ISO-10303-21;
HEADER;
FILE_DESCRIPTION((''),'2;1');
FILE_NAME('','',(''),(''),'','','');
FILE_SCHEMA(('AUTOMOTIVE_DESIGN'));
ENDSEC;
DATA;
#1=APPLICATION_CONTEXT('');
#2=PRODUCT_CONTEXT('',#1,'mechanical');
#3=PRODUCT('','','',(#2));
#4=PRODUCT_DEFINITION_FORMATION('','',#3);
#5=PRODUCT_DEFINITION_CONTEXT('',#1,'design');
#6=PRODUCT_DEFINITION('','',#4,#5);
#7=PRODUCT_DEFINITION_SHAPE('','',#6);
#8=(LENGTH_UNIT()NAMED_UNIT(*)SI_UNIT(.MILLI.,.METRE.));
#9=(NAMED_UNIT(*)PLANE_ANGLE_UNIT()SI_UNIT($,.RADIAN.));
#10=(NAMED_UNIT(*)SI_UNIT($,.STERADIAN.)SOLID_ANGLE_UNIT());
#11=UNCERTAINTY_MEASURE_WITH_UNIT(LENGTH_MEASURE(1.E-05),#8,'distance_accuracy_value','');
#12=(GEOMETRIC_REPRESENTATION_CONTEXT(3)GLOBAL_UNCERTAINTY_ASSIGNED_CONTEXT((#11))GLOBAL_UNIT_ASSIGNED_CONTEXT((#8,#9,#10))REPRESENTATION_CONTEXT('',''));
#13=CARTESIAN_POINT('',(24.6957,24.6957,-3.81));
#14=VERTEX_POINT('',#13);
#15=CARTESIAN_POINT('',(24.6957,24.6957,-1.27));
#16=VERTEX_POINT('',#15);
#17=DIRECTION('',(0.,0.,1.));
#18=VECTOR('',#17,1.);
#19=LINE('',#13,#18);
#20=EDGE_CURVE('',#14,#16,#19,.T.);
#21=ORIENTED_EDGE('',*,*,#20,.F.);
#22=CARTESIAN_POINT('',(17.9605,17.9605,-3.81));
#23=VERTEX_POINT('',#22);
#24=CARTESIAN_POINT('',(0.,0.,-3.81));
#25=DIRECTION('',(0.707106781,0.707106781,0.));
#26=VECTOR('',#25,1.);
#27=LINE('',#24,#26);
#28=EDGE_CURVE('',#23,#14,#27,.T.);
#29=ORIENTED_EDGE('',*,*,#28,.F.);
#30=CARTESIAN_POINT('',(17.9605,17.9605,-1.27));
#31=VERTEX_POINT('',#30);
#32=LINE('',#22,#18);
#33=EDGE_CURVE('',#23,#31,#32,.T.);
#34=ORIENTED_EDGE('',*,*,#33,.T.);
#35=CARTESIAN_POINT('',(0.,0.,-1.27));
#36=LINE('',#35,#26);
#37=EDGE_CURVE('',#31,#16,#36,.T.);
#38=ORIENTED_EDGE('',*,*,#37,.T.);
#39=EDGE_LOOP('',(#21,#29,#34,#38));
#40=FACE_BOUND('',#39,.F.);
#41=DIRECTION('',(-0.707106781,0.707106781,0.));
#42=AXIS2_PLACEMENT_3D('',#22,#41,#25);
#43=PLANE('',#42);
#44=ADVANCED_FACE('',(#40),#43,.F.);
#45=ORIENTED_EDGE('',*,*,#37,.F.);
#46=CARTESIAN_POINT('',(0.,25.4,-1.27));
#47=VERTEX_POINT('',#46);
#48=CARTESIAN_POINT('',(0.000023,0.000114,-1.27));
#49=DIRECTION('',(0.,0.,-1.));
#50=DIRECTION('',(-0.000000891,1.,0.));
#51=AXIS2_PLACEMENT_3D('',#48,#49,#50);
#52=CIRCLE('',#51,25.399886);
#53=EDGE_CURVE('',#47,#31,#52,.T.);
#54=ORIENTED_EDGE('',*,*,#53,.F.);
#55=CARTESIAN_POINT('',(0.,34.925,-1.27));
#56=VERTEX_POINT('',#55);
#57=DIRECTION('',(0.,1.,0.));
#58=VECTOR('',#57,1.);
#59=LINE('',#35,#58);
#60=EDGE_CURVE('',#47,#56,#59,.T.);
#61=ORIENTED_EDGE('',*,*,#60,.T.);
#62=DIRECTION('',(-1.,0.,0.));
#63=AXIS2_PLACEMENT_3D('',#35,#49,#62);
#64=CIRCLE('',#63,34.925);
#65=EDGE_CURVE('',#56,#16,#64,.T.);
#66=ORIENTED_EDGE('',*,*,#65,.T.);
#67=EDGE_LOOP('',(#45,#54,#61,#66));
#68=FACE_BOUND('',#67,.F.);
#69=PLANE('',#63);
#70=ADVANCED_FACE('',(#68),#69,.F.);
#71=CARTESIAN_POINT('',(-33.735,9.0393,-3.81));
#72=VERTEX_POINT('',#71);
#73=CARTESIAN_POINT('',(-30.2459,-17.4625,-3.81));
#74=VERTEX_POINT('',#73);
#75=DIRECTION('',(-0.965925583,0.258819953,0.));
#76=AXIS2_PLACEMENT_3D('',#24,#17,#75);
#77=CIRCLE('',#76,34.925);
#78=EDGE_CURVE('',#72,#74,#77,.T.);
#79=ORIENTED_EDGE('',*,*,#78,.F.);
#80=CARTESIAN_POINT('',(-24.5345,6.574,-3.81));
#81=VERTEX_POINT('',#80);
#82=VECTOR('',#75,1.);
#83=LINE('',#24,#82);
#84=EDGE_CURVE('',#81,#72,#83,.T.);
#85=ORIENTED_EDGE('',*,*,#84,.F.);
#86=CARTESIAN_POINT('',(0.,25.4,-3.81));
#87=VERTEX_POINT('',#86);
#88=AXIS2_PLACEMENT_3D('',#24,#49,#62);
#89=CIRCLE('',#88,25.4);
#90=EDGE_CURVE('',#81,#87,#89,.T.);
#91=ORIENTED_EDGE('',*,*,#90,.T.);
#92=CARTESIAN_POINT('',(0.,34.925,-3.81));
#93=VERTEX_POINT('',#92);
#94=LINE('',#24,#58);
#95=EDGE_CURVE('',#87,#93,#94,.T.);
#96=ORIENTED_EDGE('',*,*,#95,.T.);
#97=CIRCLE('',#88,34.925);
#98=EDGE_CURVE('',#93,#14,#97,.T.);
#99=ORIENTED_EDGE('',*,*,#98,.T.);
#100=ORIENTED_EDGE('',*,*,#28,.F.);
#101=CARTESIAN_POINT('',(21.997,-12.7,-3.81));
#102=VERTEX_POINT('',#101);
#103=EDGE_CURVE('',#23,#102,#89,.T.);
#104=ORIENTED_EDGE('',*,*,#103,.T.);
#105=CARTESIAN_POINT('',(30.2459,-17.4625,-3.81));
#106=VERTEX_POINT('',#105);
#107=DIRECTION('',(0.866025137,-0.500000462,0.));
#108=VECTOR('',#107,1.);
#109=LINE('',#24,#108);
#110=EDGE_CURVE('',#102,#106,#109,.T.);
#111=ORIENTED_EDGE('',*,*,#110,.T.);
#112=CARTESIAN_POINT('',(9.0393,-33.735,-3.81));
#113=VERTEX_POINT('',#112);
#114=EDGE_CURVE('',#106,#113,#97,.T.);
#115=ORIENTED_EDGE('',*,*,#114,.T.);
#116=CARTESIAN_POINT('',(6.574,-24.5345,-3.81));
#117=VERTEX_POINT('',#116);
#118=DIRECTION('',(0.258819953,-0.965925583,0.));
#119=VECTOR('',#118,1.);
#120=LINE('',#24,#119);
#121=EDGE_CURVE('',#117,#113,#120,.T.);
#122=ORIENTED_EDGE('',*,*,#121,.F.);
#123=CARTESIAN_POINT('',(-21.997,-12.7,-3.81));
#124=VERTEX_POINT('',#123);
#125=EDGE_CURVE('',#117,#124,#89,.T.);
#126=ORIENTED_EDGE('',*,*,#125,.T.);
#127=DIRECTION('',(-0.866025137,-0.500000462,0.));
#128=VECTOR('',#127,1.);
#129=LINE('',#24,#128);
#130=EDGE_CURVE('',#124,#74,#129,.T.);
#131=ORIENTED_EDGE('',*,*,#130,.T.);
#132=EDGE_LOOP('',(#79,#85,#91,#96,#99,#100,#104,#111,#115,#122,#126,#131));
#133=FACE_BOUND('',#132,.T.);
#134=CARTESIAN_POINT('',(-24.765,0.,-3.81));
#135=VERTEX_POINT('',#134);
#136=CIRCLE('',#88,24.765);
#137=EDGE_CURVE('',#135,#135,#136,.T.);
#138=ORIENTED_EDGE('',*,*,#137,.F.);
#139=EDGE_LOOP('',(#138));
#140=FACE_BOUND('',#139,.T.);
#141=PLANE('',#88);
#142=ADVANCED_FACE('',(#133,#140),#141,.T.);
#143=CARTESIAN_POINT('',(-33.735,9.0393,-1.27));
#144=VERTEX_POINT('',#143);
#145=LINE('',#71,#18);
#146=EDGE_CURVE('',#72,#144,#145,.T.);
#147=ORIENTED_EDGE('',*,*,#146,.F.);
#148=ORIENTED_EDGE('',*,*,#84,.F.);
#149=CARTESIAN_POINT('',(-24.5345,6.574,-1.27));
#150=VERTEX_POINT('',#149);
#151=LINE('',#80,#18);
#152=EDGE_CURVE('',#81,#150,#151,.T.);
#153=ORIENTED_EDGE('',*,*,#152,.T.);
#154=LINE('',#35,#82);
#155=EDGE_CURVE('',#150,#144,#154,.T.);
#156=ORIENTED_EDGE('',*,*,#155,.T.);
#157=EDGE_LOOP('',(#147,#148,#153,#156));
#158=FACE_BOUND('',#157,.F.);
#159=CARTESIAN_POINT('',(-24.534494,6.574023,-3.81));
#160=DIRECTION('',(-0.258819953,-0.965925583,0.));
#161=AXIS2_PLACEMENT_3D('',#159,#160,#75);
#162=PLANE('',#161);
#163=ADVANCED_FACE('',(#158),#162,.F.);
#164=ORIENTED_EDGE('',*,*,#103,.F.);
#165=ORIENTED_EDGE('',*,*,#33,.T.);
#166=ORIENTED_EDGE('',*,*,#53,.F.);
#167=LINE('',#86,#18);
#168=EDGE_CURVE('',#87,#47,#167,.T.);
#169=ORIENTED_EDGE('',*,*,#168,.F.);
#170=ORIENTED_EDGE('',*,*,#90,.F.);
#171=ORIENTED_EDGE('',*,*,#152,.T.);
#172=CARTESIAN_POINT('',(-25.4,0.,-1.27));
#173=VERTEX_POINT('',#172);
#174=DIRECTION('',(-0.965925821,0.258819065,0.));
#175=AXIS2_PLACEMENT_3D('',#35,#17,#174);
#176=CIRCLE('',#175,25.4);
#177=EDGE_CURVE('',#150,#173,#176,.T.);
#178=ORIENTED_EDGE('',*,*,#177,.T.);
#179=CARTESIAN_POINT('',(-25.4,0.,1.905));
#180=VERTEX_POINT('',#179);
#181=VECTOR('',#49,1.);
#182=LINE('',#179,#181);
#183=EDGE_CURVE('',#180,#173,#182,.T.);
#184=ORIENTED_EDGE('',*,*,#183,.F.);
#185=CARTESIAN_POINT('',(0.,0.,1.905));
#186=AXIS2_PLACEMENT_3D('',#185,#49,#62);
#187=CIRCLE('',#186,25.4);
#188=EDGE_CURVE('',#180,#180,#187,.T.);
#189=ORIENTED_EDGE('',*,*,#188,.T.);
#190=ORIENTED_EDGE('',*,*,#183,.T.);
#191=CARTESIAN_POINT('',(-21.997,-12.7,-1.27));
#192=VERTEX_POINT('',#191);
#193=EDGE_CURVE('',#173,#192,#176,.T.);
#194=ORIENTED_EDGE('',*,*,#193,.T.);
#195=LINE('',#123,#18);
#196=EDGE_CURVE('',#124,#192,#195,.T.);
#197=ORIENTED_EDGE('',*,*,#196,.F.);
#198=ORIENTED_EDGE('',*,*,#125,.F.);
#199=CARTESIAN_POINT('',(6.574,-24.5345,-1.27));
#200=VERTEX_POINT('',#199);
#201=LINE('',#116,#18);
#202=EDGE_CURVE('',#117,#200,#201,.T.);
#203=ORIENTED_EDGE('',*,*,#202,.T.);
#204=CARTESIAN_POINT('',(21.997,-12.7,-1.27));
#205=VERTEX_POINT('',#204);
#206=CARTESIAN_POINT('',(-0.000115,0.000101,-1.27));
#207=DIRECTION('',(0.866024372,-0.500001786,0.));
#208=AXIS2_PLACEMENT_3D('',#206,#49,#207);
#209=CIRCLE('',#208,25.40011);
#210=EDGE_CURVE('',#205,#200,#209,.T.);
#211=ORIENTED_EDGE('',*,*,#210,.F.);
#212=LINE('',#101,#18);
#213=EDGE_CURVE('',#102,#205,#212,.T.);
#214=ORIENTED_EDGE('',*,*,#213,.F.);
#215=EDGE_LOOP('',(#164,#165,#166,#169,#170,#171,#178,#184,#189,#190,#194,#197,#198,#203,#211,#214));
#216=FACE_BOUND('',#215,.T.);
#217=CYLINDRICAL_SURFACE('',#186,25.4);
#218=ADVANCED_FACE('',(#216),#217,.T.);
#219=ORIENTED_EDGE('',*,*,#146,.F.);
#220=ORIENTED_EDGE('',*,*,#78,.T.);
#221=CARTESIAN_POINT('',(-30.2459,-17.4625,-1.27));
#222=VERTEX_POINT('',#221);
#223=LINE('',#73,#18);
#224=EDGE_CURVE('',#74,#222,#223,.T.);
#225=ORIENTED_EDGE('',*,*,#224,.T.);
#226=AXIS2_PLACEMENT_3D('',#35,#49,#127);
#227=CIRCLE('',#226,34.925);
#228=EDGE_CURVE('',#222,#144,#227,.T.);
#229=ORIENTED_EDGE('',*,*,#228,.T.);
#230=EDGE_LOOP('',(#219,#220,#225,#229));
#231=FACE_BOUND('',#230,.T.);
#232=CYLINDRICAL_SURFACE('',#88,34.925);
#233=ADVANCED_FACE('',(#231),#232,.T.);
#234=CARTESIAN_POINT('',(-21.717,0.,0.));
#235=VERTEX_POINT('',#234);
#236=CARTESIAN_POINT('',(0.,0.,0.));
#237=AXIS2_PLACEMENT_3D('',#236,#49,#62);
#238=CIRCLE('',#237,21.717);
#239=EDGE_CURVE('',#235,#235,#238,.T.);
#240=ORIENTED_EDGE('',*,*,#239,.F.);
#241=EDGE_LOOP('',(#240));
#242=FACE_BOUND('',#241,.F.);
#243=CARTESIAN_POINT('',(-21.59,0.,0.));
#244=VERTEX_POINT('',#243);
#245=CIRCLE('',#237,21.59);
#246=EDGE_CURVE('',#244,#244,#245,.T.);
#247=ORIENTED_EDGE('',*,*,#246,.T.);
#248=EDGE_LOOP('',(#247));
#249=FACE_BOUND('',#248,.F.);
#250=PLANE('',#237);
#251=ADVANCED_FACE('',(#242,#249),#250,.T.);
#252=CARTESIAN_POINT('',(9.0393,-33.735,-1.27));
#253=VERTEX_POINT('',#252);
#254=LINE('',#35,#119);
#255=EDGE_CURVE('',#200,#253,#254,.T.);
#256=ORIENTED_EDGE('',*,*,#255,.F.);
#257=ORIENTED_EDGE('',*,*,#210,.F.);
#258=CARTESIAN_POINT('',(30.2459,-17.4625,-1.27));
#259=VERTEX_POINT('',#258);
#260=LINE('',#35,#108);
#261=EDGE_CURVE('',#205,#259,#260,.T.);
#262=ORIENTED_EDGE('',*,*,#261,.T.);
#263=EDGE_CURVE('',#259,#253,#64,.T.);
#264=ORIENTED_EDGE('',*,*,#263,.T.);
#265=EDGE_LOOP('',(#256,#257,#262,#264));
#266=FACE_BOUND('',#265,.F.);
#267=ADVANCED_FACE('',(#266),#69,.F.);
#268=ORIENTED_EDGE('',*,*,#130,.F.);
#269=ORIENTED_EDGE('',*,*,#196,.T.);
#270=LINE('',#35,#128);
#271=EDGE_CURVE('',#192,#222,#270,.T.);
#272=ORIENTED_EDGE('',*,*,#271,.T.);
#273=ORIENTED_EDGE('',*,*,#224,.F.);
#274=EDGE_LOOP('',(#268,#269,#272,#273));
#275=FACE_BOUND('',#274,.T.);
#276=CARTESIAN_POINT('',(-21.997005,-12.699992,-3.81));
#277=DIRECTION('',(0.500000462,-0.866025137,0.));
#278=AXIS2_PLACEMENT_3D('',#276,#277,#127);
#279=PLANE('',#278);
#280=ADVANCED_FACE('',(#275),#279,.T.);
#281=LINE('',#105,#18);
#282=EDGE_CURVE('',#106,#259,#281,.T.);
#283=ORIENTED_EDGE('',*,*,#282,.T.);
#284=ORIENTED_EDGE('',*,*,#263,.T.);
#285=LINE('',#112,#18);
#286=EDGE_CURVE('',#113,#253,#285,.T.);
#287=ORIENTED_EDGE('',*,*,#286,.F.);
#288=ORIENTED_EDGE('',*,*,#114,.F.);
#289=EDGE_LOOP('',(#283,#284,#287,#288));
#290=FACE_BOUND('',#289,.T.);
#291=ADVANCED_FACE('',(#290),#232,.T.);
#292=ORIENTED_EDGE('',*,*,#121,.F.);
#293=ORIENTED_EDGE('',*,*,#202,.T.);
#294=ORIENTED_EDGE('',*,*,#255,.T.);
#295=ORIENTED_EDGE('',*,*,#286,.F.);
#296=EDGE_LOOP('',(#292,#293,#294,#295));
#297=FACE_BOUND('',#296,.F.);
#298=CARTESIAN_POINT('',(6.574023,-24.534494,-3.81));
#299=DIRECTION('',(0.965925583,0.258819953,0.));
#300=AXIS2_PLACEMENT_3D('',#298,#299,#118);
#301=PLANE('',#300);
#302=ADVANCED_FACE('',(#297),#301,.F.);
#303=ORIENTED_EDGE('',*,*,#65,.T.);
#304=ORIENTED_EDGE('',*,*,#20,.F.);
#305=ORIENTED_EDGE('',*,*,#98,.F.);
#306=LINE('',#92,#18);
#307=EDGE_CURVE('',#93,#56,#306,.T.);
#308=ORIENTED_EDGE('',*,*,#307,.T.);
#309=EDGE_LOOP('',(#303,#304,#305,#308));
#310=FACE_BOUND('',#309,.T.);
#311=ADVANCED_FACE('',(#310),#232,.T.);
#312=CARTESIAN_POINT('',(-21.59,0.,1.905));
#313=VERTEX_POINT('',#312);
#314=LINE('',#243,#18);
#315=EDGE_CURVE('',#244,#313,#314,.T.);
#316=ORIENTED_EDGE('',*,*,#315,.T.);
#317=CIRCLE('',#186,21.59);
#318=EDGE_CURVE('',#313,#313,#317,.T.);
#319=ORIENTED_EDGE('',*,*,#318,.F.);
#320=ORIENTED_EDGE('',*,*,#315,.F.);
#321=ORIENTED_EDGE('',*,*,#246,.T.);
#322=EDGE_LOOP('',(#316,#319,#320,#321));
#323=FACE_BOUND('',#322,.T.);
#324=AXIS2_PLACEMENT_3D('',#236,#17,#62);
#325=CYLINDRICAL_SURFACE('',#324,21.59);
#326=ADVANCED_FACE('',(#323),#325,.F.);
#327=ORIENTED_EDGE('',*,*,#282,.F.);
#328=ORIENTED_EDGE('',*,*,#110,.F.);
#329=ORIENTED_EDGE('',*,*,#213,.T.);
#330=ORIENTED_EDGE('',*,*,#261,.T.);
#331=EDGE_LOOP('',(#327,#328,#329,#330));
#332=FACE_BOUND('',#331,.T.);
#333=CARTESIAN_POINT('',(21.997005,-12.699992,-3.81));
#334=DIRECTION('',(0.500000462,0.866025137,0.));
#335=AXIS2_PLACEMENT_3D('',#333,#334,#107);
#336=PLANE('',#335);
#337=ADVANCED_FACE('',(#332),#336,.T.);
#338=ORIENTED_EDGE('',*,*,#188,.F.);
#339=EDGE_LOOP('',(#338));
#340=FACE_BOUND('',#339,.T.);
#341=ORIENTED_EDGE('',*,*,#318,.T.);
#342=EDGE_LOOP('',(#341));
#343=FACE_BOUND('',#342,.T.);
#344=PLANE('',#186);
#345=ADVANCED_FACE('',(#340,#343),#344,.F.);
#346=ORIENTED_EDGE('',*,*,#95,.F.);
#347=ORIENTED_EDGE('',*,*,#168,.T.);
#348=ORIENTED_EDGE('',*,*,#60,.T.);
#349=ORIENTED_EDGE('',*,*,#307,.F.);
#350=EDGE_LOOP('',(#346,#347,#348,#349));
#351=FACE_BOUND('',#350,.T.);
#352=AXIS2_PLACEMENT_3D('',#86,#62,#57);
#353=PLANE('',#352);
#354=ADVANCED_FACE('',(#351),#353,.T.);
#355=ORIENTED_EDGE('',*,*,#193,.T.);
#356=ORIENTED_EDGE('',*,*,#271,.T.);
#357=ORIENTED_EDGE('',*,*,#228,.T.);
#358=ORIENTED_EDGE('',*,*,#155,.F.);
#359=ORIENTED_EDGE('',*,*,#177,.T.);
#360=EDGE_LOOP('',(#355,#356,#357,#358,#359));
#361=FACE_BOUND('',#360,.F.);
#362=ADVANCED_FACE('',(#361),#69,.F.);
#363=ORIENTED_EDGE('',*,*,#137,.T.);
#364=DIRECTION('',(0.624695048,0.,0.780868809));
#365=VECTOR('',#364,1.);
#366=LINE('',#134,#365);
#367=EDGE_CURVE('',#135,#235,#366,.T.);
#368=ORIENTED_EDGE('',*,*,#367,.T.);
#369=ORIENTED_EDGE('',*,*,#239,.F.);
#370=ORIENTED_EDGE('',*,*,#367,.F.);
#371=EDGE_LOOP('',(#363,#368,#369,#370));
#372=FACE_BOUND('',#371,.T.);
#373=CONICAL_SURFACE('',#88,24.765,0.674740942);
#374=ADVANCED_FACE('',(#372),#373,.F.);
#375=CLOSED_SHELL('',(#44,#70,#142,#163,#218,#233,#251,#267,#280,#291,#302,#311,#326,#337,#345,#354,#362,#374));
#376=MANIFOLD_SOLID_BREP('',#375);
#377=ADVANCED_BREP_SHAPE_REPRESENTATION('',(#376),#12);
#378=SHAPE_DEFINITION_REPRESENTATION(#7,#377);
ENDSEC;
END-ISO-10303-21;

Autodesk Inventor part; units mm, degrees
ref_plane "YZ Plane" through (0, 0, 0) normal (1, 0, 0) x (0, 1, 0)
ref_plane "XZ Plane" through (0, 0, 0) normal (0, 1, 0) x (-1, 0, 0)
ref_plane "XY Plane" through (0, 0, 0) normal (0, 0, 1) x (1, 0, 0)
sketch "Sketch1" plane through (0, 0, 0) normal (0, 1, 0) x (-1, 0, 0)
  line L0 (0, 0) -> (21.717, 0)
  line L1 (0, 0) -> (0, -12.7)
  line L2 (21.717, 0) -> (24.765, 0)
  line L3 (24.765, 0) -> (24.765, -3.81)
  line L4 (24.765, -3.81) -> (21.717, 0)
  line L5 (24.765, 0) -> (25.4, 0)
  line L6 (25.4, 0) -> (25.4, -3.81)
  line L7 (25.4, -3.81) -> (24.765, -3.81)
  line L8 (24.765, -3.81) -> (24.765, 0)
  line L9 (25.4, 0) -> (21.59, 0)
  line L10 (21.59, 0) -> (21.59, 1.905)
  line L11 (21.59, 1.905) -> (25.4, 1.905)
  line L12 (25.4, 1.905) -> (25.4, 0)
  dimension "d0" = 21.717
  dimension "d1" = 12.7
  dimension "d2" = 3.048
  dimension "d3" = 3.81
  dimension "d4" = 0.635
  dimension "d6" = 1.905
revolve "Revolution1" add sketch "Sketch1" angle 360 about axis through (0, 0, 0) along (0, 0, -1)
sketch "Sketch3" plane through (0, 0, -3.81) normal (0, 0, -1) x (-1, 0, 0)
  circle A0 centre (0, 0) radius 25.4
  circle A1 centre (0, 0) radius 34.925
  line L0 (0, 0) -> (0, 34.925)
  line L1 (0, 0) -> (-24.6957, 24.6957)
  line L2 (0, 0) -> (34.925, 0) construction
  circle A2 centre (0, 0) radius 25.4 projected
  line L3 (0, 0) -> (-30.2459, -17.4625)
  line L4 (0, 0) -> (34.925, 0) construction
  line L5 (0, 0) -> (-9.0393, -33.735)
  line L6 (0, 0) -> (34.925, 0) construction
  line L7 (0, 0) -> (30.2459, -17.4625)
  line L8 (0, 0) -> (34.925, 0) construction
  line L9 (0, 0) -> (33.735, 9.0393)
  line L10 (0, 0) -> (34.925, 0) construction
  arc A3 (0, 25.4) -> (-17.9605, 17.9605) centre (0, 0) ccw
  arc A4 (-21.997, -12.7) -> (-6.574, -24.5345) centre (0, 0) ccw
  arc A5 (21.997, -12.7) -> (24.5345, 6.574) centre (0, 0) ccw
  dimension "d7" = 69.85
  dimension "d8" = 135
  dimension "d9" = 150
  dimension "d10" = 105
  dimension "d11" = 30
  dimension "d12" = 15
extrude "Extrusion1" add sketch "Sketch3" against normal blind 2.54 contours A0 L9 A1 L7 | A0 L1 A1 L0 | L5 A1 L3 A0
properties part number "FanMount" material "PC/ABS Plastic"
